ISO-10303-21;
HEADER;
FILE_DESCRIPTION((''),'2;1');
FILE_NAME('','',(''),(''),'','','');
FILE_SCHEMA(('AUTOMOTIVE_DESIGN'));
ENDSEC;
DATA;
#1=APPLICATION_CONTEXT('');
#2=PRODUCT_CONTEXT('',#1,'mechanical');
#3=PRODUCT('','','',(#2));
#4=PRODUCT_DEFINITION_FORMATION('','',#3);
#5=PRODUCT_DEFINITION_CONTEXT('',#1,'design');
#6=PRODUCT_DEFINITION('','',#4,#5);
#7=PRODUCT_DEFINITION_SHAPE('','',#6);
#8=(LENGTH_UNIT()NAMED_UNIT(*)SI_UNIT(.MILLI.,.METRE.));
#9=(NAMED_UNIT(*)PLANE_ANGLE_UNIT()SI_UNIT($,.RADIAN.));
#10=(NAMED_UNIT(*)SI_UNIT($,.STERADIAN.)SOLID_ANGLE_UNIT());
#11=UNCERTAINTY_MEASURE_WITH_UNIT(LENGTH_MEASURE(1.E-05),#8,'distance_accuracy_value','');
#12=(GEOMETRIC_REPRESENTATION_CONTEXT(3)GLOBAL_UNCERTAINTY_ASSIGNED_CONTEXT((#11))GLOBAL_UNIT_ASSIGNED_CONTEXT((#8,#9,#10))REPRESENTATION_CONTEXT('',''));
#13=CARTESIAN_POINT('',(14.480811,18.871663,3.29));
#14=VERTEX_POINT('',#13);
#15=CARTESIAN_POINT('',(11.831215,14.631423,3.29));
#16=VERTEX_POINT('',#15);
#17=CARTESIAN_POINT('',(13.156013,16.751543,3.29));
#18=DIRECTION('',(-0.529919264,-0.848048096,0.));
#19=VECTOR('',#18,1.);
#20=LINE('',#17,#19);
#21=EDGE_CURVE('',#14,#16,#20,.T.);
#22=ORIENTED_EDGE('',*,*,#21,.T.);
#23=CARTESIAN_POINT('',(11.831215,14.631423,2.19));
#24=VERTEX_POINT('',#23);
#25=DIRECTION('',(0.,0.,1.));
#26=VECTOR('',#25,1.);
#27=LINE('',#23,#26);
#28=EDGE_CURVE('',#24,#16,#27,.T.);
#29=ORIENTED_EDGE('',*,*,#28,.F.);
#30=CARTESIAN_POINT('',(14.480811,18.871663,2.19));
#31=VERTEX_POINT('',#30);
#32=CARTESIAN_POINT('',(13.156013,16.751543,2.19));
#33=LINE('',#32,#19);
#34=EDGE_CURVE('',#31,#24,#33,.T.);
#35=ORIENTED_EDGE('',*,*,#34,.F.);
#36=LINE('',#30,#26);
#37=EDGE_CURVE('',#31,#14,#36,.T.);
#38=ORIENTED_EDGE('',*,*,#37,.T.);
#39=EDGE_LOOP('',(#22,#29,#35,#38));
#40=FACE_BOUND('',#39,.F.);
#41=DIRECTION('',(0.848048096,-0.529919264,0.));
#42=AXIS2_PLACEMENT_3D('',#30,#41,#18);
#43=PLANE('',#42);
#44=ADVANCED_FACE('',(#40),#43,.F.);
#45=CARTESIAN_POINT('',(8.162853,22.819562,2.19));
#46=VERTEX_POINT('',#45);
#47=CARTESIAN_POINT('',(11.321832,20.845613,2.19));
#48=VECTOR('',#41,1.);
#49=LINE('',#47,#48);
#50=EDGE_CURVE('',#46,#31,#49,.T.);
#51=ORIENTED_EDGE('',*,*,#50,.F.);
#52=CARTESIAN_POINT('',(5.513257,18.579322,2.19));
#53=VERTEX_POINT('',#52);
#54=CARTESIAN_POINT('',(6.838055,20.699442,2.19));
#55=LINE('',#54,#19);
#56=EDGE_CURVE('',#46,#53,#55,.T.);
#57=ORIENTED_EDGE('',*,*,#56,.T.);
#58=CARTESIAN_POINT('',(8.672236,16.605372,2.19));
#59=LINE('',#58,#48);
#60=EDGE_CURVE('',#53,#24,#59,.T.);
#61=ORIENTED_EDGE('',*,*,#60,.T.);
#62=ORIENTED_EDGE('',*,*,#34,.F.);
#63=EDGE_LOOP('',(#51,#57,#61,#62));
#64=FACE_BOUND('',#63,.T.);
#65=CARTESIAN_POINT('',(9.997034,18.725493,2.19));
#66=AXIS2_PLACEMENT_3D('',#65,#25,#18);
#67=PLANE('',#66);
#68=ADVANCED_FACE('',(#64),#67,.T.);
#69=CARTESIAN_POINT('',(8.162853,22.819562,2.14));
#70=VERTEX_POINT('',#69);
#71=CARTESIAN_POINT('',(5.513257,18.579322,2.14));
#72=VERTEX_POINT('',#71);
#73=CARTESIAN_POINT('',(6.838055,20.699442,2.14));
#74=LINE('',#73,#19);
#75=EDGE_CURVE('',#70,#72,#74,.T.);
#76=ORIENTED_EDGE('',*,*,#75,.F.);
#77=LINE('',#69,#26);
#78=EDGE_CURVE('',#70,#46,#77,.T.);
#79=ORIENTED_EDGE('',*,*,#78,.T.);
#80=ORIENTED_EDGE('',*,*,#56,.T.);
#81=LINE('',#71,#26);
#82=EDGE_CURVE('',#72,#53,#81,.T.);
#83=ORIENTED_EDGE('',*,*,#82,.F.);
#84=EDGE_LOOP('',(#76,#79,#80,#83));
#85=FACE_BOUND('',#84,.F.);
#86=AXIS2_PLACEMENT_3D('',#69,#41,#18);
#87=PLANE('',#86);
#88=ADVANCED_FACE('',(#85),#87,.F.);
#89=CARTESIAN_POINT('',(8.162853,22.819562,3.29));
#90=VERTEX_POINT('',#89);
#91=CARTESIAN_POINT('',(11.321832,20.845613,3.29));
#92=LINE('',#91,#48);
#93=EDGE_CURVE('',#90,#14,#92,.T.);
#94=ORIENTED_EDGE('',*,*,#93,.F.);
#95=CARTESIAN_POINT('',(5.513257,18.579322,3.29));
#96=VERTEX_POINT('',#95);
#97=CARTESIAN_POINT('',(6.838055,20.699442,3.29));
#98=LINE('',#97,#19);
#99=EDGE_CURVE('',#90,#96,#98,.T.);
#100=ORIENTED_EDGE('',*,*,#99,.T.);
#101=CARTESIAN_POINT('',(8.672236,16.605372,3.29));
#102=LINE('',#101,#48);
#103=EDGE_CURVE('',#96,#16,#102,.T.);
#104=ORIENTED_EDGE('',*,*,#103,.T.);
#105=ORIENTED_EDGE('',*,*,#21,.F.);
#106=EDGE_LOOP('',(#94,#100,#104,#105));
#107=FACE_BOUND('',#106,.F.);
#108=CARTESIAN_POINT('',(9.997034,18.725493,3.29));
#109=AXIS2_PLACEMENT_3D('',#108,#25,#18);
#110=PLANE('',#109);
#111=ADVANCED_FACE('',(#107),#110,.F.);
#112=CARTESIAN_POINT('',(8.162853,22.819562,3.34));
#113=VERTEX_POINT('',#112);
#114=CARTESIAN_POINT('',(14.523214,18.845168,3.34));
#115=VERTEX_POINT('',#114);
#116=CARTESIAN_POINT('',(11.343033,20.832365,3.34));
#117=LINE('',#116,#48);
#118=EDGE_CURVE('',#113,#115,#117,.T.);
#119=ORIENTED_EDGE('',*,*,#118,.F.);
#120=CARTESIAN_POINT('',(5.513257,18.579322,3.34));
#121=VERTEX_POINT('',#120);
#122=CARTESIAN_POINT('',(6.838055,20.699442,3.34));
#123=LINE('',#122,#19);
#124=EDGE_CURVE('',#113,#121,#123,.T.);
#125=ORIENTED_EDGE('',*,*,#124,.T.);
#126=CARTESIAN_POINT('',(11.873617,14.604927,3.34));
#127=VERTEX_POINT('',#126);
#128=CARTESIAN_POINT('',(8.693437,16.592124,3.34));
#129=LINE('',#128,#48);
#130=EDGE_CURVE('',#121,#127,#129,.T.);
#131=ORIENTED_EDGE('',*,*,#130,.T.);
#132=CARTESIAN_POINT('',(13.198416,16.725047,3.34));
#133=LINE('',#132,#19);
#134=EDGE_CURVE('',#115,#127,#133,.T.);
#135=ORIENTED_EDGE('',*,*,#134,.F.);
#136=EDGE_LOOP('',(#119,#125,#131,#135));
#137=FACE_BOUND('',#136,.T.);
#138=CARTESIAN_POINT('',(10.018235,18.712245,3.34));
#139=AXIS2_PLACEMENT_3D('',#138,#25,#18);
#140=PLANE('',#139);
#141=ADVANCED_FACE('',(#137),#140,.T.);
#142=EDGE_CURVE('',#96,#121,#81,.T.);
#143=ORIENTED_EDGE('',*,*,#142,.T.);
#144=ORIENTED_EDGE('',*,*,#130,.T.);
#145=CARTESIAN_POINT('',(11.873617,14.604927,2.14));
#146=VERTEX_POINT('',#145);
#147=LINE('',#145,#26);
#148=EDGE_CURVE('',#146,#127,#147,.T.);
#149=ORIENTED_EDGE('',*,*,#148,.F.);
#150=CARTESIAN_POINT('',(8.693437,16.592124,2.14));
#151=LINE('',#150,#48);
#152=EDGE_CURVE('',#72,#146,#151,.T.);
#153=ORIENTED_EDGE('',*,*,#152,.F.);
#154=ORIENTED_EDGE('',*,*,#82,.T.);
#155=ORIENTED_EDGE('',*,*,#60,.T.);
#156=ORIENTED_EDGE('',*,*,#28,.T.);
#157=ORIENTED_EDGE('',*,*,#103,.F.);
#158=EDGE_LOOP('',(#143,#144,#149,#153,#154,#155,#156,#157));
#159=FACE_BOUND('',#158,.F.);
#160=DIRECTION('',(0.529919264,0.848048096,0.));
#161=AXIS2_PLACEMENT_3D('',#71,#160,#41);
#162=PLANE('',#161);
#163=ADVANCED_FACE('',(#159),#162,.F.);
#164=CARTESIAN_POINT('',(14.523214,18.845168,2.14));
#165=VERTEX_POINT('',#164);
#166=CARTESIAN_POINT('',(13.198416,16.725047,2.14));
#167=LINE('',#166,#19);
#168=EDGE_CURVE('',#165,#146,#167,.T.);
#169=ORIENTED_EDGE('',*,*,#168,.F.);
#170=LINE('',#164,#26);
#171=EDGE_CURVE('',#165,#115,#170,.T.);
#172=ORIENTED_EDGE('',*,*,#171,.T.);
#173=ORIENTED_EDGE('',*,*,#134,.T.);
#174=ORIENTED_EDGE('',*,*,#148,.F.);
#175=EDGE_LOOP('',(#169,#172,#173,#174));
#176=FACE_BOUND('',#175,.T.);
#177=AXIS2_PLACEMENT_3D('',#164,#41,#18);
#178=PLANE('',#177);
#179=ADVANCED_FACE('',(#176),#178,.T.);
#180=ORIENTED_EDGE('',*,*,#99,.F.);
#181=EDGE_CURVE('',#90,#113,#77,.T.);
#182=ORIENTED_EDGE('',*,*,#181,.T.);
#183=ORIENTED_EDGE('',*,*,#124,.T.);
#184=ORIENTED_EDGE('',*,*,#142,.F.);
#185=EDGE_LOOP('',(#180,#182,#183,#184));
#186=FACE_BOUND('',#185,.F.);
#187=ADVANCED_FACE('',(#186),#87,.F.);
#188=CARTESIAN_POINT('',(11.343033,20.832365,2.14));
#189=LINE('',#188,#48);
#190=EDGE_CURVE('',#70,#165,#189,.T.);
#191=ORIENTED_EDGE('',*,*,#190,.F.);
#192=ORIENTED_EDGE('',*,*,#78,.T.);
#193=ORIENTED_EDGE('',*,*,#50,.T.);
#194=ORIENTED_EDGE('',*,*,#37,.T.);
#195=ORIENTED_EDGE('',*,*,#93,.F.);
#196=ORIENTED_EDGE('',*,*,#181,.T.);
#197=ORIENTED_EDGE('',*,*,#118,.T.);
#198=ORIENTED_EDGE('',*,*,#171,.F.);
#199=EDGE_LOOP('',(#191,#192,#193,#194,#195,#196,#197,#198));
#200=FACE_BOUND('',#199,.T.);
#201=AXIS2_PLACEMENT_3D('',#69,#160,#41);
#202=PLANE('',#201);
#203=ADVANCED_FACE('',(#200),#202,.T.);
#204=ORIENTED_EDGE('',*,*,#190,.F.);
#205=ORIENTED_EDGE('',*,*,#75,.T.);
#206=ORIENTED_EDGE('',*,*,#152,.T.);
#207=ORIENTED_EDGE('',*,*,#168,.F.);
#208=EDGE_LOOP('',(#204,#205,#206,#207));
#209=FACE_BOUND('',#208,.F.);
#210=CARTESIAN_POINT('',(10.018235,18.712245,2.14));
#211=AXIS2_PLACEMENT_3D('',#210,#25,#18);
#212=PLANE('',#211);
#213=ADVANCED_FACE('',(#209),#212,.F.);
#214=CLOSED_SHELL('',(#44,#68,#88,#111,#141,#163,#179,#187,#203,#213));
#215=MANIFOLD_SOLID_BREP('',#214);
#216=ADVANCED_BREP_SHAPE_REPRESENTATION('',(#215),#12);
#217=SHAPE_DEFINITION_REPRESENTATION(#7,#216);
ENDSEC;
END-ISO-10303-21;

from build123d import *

# Parameters (mm, degrees)
BOX187_W               = 5
BOX187_H               = 7.45
BOX187_DEPTH           = 1.1
BOX186_W               = 5
BOX186_H               = 7.5
BOX186_DEPTH           = 1.2
CUT094_PLACEMENT_ANGLE = 122


with BuildPart() as small_cu_gnd_electrode078:
    # Box187 → Box187 (new body)
    with BuildSketch(Plane.XY.offset(0.05)):
        with Locations((2.5, 3.725)):
            Rectangle(BOX187_W, BOX187_H)
    extrude(amount=BOX187_DEPTH)


with BuildPart() as small_cu_electrode001_long_axis_v009:
    # Box186 → Box186 (new body)
    with BuildSketch(Plane.XY):
        with Locations((2.5, 3.75)):
            Rectangle(BOX186_W, BOX186_H)
    extrude(amount=BOX186_DEPTH)

    # Cut094: cut Small Cu GND Electrode078
    add(small_cu_gnd_electrode078.part, mode=Mode.SUBTRACT)


with BuildPart() as small_cu_electrode001_long_axis_v009_1:
    # Cut094 placement: moved
    add(small_cu_electrode001_long_axis_v009.part.moved(Location((8.162853, 22.819562, 2.14))).rotate(Axis((8.162853, 22.819562, 2.14), (0, 0, -1)), CUT094_PLACEMENT_ANGLE))


solid = small_cu_electrode001_long_axis_v009_1.part
